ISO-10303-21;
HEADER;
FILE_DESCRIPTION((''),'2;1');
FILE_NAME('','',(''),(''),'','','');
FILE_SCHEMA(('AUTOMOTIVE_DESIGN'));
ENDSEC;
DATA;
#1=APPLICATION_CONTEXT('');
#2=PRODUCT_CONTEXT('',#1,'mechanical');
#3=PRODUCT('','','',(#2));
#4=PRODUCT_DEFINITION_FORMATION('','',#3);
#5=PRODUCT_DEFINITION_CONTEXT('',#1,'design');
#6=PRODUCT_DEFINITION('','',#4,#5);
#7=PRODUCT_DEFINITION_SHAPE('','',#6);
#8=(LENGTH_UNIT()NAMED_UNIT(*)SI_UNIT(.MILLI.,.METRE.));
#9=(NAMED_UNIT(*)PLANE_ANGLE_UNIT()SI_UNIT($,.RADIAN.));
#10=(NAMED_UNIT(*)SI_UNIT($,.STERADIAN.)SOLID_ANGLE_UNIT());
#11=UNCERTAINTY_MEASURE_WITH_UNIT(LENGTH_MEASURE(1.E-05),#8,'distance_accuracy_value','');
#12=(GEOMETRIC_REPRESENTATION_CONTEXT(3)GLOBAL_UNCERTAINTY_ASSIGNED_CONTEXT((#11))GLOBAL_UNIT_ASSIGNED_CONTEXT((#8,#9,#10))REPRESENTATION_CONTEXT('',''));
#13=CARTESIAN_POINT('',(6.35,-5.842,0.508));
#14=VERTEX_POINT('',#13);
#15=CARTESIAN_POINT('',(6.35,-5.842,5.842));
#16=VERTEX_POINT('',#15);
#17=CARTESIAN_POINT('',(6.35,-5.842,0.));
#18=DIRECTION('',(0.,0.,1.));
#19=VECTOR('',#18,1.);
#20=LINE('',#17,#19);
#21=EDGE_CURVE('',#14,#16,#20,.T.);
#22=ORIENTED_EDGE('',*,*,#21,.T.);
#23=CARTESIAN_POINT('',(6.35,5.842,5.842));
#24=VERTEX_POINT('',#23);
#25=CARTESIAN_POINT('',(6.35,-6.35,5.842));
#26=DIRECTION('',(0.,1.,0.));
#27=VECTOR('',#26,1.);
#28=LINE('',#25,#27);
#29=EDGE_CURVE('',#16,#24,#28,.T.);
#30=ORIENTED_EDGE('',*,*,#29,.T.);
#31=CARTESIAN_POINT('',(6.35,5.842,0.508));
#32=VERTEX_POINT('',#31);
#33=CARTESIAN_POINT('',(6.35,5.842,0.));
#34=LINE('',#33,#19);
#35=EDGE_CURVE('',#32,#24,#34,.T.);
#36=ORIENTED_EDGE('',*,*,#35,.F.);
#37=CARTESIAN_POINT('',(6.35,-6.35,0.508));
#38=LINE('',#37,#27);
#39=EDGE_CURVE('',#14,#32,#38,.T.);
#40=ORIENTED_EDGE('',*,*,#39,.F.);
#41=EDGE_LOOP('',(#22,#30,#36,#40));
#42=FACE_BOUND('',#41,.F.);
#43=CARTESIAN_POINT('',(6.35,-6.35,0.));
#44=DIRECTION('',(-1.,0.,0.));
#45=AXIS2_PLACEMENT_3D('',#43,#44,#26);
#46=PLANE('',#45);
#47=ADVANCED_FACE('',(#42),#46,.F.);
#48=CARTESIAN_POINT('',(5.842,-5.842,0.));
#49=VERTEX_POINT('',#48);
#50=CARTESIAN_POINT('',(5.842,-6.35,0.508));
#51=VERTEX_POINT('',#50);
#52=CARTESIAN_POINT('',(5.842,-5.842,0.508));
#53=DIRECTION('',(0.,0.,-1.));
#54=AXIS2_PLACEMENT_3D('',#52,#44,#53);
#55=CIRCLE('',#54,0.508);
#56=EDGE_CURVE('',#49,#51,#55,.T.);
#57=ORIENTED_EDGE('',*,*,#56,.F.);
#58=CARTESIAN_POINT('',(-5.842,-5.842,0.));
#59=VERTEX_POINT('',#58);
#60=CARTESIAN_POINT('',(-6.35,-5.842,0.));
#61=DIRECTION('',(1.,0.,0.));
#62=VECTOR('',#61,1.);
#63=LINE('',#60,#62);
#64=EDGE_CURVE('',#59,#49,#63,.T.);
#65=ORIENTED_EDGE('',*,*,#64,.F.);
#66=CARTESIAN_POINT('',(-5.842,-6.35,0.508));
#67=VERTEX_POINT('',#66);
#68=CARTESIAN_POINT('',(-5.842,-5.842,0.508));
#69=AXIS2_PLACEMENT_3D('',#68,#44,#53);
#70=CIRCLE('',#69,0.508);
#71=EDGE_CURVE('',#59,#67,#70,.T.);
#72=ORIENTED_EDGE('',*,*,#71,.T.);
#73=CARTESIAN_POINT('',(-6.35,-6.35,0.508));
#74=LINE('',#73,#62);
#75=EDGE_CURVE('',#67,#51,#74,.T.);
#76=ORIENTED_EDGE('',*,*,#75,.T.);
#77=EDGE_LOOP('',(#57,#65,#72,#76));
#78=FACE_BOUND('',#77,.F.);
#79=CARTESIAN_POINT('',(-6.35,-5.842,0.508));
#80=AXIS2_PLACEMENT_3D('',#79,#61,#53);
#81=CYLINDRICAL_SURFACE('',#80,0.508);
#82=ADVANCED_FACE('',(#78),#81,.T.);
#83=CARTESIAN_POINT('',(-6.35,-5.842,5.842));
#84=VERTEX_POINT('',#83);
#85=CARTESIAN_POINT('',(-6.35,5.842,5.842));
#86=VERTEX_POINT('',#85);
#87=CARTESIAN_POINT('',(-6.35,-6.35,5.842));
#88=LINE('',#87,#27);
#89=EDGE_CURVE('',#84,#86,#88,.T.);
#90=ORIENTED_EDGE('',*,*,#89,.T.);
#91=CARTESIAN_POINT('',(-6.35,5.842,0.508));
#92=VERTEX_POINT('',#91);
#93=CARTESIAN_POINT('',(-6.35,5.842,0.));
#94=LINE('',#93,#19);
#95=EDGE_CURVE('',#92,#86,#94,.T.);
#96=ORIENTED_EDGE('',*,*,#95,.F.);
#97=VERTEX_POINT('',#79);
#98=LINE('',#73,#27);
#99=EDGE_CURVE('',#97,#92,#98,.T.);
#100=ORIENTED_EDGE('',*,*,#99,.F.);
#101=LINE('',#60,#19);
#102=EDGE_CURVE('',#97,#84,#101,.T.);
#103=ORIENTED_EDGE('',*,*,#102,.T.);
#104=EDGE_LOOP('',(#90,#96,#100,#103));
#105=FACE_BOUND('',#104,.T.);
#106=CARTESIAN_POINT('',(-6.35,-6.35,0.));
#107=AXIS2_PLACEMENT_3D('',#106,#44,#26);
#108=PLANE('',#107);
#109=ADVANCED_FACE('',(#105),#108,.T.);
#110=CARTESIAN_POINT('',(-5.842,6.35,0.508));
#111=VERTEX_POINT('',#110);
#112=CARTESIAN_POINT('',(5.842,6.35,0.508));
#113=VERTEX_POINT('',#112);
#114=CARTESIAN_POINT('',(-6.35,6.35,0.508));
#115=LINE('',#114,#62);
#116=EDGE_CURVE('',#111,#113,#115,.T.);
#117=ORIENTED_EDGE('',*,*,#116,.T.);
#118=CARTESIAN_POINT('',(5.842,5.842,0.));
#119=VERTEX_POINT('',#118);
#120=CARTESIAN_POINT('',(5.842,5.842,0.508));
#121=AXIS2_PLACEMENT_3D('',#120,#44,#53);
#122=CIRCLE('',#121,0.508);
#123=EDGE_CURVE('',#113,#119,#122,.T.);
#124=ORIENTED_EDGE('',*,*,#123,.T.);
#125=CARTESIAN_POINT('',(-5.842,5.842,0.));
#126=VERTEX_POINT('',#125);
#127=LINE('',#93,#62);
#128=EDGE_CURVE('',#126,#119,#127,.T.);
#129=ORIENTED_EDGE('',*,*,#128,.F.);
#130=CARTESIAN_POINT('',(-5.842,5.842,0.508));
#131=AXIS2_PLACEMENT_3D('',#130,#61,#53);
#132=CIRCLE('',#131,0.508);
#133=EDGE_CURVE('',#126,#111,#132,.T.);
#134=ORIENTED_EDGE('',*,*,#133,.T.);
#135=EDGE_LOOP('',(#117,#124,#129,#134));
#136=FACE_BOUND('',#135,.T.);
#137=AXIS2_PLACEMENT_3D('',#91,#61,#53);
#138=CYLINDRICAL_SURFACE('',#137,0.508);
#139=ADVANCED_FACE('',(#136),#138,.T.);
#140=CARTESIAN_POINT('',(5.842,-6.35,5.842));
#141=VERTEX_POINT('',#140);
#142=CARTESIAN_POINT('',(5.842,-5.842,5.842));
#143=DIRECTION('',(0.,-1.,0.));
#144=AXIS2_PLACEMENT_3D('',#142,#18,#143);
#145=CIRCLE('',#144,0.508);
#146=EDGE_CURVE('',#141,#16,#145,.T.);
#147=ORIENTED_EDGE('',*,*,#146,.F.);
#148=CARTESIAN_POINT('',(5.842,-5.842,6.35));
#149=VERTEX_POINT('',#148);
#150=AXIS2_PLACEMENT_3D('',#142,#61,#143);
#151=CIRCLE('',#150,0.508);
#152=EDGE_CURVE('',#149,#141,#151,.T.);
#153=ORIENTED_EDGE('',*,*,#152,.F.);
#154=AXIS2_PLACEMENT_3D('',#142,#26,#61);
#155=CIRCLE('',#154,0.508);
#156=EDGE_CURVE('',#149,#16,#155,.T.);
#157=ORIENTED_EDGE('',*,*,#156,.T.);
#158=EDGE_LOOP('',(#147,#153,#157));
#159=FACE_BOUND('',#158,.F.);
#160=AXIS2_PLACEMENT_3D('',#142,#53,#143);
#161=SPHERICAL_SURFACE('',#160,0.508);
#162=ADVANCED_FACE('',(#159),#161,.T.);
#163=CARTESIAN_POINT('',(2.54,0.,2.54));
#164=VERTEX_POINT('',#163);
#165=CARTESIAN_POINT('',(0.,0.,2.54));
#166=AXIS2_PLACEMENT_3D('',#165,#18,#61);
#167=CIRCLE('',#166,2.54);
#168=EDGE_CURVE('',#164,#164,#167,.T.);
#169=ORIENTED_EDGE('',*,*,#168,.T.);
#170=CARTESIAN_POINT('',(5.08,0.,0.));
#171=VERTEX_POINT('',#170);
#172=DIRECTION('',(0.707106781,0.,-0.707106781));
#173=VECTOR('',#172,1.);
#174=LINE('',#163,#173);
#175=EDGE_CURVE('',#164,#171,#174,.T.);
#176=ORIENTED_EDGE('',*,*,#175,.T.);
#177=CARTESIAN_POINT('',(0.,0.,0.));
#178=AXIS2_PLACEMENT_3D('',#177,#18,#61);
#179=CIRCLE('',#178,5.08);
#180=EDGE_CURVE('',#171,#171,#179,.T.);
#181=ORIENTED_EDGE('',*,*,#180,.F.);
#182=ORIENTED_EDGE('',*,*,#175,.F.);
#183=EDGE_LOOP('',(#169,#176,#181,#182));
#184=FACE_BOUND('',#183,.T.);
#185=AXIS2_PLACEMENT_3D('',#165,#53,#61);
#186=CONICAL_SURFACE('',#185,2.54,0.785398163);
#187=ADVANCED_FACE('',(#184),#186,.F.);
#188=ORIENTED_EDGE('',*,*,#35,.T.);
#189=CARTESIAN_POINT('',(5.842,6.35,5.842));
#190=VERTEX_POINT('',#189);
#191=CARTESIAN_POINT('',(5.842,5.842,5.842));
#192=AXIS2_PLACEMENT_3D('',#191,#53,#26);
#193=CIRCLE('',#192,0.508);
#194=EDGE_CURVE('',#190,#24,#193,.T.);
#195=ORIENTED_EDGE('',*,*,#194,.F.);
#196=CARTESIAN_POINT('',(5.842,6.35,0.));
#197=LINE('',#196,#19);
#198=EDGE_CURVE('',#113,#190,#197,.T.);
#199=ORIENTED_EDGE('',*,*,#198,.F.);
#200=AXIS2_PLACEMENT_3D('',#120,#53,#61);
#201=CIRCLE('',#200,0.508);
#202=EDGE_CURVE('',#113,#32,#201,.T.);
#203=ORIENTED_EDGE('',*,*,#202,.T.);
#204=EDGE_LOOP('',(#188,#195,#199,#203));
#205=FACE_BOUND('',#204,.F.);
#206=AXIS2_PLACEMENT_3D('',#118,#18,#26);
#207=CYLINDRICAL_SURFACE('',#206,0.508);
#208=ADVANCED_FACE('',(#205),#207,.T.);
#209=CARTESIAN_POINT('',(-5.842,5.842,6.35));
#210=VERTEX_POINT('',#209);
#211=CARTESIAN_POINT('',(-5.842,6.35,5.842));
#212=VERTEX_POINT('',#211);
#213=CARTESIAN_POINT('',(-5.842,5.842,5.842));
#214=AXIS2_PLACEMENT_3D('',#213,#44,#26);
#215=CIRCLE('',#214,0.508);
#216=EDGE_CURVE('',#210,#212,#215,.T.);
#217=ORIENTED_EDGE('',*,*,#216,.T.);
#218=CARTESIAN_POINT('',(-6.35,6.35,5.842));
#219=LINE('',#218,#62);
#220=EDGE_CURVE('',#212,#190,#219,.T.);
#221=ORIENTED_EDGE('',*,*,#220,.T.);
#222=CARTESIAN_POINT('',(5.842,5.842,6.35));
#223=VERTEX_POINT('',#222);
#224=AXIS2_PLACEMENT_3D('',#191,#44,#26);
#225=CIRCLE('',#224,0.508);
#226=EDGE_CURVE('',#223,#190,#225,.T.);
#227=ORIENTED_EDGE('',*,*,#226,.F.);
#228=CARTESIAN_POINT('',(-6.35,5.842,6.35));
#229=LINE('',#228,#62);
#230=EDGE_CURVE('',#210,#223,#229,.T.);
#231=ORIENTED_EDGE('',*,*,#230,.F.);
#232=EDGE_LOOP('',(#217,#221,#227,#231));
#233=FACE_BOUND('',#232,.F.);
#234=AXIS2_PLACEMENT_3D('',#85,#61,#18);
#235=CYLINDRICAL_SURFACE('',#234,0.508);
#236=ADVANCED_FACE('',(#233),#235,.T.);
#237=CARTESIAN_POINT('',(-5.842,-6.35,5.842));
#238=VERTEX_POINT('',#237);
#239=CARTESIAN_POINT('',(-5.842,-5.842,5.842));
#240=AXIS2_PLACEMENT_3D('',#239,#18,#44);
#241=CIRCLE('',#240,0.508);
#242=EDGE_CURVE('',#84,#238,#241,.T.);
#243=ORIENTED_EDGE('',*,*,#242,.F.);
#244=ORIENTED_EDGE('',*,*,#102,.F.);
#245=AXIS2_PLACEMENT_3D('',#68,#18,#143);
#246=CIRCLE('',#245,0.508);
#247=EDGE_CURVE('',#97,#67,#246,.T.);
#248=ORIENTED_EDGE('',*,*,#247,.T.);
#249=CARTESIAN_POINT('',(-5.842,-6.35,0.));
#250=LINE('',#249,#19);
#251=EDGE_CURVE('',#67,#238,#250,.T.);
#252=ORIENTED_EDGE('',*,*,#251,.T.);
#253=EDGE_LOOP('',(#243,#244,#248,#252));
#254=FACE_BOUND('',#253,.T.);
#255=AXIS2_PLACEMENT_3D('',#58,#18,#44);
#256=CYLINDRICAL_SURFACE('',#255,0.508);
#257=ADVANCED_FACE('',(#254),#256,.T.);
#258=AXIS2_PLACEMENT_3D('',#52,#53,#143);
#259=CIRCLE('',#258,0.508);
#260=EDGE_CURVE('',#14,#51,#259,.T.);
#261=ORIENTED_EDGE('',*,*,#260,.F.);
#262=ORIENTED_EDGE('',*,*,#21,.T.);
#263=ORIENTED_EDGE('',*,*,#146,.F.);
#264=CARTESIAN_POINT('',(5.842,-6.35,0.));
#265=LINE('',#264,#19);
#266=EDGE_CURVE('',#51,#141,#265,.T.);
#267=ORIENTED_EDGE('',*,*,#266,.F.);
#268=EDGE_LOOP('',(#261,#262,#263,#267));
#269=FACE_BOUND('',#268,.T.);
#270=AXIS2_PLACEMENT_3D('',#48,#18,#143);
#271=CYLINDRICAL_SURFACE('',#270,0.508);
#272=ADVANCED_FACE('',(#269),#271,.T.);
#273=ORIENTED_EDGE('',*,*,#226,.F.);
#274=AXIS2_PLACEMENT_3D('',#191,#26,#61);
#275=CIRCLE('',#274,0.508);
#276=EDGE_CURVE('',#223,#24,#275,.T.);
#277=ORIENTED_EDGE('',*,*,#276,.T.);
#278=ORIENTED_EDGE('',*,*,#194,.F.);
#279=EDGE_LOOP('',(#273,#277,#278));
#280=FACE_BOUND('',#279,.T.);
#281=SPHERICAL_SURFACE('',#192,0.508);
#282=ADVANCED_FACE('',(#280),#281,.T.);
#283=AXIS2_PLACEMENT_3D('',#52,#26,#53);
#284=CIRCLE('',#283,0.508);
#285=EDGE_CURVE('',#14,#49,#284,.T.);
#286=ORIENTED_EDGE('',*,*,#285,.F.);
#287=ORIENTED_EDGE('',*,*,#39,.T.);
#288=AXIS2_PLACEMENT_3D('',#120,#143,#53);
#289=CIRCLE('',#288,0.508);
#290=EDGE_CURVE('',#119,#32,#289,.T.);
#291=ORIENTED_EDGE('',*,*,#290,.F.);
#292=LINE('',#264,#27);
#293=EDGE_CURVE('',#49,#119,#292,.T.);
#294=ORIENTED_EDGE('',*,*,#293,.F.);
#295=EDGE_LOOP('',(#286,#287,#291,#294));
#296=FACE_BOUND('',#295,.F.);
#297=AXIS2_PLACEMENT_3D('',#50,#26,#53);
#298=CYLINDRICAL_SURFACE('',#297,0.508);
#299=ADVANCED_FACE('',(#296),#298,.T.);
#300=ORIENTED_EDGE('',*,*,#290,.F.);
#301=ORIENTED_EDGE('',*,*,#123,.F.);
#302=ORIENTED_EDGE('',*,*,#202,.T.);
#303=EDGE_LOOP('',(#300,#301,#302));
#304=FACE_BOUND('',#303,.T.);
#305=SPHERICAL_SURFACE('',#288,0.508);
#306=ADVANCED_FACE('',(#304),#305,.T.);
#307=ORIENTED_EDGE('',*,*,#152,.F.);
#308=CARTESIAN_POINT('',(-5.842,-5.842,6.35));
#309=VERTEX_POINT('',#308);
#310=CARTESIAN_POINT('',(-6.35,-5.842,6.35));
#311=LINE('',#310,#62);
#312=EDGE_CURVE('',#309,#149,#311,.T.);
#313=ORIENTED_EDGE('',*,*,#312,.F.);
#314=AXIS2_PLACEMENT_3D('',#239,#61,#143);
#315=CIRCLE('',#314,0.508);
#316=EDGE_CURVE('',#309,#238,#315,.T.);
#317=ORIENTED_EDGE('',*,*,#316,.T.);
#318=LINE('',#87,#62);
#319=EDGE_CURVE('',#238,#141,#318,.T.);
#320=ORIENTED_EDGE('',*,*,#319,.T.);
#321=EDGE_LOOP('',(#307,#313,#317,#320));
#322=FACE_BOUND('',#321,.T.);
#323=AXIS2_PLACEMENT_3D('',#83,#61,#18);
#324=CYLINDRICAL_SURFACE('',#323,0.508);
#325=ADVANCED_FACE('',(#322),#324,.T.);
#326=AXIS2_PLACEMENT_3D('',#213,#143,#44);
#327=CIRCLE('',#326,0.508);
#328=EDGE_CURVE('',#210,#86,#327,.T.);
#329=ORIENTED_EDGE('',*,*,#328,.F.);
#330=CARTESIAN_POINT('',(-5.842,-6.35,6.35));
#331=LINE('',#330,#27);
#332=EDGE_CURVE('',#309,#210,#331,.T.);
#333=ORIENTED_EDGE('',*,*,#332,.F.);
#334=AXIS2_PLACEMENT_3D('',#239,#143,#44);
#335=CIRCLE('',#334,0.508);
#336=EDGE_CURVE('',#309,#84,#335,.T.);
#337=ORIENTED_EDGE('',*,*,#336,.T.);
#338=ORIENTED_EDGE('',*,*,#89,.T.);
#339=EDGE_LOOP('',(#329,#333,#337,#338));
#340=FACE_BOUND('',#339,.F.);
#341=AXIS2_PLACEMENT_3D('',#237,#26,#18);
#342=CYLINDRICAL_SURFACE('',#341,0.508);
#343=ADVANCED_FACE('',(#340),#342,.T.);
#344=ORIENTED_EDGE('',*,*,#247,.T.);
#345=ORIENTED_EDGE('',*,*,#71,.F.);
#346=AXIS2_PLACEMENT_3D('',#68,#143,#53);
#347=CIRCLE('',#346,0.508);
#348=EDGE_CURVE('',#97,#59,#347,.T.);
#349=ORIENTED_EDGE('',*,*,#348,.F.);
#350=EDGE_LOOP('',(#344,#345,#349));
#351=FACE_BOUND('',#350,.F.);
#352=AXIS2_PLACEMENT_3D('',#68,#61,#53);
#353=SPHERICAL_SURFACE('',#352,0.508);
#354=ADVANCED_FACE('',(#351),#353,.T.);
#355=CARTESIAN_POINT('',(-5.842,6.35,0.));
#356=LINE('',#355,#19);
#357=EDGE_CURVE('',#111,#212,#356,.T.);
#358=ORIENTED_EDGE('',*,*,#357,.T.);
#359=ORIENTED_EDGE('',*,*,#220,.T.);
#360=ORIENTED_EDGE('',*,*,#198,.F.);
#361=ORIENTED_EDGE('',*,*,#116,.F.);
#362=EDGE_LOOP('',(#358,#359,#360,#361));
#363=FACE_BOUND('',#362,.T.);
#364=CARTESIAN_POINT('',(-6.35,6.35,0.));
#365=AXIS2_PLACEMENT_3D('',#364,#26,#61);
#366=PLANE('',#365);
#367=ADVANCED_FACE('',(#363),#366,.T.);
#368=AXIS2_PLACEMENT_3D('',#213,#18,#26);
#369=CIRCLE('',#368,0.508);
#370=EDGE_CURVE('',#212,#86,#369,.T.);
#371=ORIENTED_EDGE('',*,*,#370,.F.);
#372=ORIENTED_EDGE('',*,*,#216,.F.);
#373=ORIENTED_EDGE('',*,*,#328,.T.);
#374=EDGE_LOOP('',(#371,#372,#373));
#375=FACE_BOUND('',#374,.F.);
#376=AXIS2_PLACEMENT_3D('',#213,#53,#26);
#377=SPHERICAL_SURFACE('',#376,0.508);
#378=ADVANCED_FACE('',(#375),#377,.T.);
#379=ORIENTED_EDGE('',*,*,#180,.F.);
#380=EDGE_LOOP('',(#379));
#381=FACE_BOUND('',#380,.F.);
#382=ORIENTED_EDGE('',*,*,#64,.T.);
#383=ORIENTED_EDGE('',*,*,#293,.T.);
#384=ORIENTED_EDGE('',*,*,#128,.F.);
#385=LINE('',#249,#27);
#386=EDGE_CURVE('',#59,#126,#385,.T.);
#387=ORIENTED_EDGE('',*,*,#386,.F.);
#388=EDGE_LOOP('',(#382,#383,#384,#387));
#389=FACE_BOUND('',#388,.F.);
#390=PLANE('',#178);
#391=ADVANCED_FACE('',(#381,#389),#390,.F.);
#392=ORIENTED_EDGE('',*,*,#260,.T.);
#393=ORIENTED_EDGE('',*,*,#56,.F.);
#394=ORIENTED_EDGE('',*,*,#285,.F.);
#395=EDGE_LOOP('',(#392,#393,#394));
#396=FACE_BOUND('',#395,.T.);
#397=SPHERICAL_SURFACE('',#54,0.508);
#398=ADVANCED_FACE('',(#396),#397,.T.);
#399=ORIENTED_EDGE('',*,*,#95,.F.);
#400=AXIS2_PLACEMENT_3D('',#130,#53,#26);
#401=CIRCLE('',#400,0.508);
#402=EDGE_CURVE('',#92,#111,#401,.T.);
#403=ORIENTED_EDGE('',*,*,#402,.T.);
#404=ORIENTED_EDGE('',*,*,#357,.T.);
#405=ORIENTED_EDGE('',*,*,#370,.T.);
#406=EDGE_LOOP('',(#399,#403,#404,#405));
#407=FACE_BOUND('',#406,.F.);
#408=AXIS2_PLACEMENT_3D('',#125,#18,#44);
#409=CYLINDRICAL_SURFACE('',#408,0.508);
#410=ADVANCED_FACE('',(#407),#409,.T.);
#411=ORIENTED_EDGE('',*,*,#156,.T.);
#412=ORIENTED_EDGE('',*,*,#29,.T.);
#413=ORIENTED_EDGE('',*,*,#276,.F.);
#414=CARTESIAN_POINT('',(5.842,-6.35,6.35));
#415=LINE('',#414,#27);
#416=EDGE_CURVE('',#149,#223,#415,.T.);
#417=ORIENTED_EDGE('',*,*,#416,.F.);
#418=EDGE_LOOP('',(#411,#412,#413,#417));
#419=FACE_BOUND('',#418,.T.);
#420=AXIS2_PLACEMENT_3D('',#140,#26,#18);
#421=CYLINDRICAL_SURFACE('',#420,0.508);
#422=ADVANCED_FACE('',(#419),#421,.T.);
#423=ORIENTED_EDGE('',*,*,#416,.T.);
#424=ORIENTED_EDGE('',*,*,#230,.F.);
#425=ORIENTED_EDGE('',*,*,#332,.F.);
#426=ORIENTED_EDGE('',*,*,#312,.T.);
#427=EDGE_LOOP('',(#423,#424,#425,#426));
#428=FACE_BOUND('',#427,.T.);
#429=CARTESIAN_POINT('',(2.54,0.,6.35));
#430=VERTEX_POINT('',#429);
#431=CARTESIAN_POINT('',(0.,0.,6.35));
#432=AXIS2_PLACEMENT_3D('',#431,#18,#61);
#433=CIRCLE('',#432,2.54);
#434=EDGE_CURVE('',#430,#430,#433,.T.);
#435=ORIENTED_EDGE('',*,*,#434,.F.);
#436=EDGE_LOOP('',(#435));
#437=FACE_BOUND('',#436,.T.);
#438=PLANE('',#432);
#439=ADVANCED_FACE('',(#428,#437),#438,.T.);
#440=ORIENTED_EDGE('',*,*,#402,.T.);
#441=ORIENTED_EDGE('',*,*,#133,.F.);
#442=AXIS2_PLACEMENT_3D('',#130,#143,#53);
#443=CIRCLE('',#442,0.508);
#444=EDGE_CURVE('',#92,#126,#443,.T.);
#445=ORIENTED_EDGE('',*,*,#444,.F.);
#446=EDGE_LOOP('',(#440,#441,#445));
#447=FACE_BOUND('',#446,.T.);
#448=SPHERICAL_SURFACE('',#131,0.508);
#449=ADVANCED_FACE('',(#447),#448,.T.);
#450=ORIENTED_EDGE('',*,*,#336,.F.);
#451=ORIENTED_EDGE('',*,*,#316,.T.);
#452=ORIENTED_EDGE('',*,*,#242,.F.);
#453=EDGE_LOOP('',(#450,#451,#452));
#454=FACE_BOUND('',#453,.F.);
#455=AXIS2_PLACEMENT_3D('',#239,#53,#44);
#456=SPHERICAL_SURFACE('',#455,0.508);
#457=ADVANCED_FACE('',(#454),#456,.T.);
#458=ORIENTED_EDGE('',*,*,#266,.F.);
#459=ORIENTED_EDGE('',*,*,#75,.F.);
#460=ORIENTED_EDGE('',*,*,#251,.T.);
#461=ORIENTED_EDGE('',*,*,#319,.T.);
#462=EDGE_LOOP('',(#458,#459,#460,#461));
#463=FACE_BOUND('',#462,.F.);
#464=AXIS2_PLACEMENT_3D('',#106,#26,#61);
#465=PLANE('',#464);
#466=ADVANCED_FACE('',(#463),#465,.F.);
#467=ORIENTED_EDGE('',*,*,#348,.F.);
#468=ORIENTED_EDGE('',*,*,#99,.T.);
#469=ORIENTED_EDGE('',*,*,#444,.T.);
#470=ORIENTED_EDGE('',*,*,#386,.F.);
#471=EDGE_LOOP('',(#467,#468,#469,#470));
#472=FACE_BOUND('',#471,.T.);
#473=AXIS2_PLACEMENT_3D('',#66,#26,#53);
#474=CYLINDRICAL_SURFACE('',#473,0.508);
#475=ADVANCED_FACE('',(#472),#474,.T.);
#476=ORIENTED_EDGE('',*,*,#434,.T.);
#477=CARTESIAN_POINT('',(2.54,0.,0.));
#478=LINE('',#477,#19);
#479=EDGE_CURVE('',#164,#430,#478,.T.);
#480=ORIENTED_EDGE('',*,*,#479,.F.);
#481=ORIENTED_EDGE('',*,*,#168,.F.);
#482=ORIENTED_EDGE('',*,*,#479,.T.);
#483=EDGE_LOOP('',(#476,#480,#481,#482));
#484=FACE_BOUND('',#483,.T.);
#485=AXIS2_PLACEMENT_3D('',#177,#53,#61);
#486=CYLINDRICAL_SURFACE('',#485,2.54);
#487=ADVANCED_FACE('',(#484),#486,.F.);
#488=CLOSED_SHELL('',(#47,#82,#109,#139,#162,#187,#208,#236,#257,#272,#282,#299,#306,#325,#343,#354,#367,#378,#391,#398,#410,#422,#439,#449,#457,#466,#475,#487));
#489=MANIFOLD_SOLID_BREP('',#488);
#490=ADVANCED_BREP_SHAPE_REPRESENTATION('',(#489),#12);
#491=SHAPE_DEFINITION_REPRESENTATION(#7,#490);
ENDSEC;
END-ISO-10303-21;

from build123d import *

# Parameters (mm, degrees)
F0_W     = 12.7
F0_H     = 12.7
F0_R     = 2.54
F1_DEPTH = 6.35
F2_SIZE  = 2.54
F3_R     = 0.508


with BuildPart() as f1:
    # F0 (on Top) → F1 (new body)
    with BuildSketch(Plane.XY):
        Rectangle(F0_W, F0_H)
        Circle(F0_R, mode=Mode.SUBTRACT)
    extrude(amount=F1_DEPTH)

    # F2
    f2_edges = [f1.edges().sort_by_distance(p)[0] for p in [
        (-2.54, 0, 0),
    ]]
    chamfer(f2_edges, length=F2_SIZE)

    # F3
    f3_edges = [f1.edges().sort_by_distance(p)[0] for p in [
        (0, -6.35, 0),
        (6.35, 0, 0),
        (0, 6.35, 0),
        (-6.35, 0, 0),
        (-6.35, -6.35, 3.175),
        (6.35, -6.35, 3.175),
        (6.35, 6.35, 3.175),
        (-6.35, 6.35, 3.175),
        (0, 6.35, 6.35),
        (-6.35, 0, 6.35),
        (0, -6.35, 6.35),
        (6.35, 0, 6.35),
    ]]
    fillet(f3_edges, radius=F3_R)


solid = f1.part
